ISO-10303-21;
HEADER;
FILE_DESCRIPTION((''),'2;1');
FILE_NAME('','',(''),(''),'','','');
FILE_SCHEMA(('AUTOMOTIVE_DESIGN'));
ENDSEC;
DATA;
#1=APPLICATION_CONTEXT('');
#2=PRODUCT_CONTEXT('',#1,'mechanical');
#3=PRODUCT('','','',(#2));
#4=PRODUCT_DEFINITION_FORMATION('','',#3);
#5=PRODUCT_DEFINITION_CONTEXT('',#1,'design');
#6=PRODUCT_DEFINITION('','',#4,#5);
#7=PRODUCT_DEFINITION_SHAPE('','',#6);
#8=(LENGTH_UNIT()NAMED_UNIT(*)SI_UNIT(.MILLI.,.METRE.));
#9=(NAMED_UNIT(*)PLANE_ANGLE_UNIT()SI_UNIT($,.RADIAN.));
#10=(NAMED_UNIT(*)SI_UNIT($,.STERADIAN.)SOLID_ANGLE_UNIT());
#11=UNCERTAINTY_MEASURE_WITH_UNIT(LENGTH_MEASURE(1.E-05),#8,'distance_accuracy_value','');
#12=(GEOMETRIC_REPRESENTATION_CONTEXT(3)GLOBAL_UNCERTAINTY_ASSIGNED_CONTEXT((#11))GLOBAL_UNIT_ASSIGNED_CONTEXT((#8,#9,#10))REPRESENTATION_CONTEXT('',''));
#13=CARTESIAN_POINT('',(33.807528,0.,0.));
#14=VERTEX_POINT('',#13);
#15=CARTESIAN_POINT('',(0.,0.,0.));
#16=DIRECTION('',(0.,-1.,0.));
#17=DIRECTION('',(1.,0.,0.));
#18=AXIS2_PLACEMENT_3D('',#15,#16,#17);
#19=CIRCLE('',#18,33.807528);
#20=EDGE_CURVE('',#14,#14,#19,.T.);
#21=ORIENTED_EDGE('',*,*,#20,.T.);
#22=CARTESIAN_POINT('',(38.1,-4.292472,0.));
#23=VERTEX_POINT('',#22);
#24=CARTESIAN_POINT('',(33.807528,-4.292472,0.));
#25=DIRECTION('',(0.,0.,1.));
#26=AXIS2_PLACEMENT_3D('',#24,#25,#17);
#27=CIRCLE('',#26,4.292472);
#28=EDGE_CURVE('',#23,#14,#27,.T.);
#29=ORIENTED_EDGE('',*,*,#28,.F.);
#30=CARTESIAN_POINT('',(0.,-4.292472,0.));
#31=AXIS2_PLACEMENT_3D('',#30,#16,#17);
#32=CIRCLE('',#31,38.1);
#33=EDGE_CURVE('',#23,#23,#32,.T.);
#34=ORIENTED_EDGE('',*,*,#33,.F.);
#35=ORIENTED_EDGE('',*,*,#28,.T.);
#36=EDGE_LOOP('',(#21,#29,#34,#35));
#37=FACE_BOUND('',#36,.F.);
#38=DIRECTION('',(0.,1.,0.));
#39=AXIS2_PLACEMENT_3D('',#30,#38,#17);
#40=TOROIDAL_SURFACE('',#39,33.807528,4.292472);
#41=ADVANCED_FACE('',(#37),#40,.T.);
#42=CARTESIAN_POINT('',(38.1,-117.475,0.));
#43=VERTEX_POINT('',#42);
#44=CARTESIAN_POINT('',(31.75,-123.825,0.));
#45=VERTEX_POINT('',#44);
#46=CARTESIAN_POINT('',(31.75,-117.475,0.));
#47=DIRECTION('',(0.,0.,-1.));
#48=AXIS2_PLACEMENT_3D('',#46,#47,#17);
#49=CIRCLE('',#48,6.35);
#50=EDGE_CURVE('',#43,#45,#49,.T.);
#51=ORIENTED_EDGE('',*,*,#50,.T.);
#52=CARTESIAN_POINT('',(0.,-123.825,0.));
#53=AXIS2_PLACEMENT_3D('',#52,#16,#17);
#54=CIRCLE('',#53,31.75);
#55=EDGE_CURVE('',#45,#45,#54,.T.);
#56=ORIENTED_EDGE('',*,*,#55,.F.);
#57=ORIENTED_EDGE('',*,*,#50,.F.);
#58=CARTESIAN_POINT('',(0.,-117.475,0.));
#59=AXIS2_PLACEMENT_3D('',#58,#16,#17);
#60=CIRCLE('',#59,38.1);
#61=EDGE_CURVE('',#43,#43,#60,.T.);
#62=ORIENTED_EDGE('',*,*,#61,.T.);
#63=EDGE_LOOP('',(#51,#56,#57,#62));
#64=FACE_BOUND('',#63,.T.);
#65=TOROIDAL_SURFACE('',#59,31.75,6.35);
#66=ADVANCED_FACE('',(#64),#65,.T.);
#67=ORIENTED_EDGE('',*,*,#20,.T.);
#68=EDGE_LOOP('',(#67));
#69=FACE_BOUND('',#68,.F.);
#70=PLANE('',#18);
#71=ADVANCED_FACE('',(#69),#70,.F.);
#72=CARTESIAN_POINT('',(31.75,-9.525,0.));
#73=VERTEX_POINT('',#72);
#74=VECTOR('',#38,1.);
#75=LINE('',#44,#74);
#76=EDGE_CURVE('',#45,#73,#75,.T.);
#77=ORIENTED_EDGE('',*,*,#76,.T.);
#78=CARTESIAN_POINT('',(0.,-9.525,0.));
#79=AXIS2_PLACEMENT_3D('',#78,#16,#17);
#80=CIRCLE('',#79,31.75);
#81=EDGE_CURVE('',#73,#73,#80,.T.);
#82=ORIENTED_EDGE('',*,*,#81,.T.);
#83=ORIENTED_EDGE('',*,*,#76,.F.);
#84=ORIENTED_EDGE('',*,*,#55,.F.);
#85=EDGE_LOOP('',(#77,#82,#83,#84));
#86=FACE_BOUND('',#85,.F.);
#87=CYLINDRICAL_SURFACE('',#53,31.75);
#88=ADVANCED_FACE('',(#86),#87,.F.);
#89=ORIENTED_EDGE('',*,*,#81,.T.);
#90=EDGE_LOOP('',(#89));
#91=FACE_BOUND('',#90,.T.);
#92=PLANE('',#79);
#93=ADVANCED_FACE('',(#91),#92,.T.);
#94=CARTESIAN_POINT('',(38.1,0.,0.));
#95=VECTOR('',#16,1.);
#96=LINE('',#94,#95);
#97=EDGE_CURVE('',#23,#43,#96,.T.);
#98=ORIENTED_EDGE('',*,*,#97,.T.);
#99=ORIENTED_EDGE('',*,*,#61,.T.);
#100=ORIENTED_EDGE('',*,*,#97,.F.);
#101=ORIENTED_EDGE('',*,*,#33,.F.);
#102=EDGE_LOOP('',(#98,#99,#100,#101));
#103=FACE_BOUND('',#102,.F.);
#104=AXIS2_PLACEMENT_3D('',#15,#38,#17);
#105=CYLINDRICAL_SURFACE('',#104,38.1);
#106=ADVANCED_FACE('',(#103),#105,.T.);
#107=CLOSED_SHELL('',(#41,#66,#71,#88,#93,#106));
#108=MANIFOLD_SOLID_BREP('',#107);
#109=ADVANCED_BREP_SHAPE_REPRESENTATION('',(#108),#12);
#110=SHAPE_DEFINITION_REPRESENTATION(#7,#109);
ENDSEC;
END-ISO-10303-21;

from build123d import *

# Parameters (mm, degrees)
F0_R      = 38.1
F1_DEPTH  = 123.825
F2_R      = 6.35
F1_FACE_R = 31.75
F3_DEPTH  = 114.3
F4_R      = 4.292472


with BuildPart() as f1:
    # F0 (on Front) → F1 (new body)
    with BuildSketch(Plane.XZ):
        Circle(F0_R)
    extrude(amount=F1_DEPTH)

    # F2
    f2_edges = [f1.edges().sort_by_distance(p)[0] for p in [
        (-38.1, -123.825, 0),
    ]]
    fillet(f2_edges, radius=F2_R)

    # F1_face (on face) → F3 (cut)
    with BuildSketch(Plane.XZ.offset(123.825)):
        Circle(F1_FACE_R)
    extrude(amount=-F3_DEPTH, mode=Mode.SUBTRACT)

    # F4
    f4_edges = [f1.edges().sort_by_distance(p)[0] for p in [
        (-38.1, 0, 0),
    ]]
    fillet(f4_edges, radius=F4_R)


solid = f1.part
